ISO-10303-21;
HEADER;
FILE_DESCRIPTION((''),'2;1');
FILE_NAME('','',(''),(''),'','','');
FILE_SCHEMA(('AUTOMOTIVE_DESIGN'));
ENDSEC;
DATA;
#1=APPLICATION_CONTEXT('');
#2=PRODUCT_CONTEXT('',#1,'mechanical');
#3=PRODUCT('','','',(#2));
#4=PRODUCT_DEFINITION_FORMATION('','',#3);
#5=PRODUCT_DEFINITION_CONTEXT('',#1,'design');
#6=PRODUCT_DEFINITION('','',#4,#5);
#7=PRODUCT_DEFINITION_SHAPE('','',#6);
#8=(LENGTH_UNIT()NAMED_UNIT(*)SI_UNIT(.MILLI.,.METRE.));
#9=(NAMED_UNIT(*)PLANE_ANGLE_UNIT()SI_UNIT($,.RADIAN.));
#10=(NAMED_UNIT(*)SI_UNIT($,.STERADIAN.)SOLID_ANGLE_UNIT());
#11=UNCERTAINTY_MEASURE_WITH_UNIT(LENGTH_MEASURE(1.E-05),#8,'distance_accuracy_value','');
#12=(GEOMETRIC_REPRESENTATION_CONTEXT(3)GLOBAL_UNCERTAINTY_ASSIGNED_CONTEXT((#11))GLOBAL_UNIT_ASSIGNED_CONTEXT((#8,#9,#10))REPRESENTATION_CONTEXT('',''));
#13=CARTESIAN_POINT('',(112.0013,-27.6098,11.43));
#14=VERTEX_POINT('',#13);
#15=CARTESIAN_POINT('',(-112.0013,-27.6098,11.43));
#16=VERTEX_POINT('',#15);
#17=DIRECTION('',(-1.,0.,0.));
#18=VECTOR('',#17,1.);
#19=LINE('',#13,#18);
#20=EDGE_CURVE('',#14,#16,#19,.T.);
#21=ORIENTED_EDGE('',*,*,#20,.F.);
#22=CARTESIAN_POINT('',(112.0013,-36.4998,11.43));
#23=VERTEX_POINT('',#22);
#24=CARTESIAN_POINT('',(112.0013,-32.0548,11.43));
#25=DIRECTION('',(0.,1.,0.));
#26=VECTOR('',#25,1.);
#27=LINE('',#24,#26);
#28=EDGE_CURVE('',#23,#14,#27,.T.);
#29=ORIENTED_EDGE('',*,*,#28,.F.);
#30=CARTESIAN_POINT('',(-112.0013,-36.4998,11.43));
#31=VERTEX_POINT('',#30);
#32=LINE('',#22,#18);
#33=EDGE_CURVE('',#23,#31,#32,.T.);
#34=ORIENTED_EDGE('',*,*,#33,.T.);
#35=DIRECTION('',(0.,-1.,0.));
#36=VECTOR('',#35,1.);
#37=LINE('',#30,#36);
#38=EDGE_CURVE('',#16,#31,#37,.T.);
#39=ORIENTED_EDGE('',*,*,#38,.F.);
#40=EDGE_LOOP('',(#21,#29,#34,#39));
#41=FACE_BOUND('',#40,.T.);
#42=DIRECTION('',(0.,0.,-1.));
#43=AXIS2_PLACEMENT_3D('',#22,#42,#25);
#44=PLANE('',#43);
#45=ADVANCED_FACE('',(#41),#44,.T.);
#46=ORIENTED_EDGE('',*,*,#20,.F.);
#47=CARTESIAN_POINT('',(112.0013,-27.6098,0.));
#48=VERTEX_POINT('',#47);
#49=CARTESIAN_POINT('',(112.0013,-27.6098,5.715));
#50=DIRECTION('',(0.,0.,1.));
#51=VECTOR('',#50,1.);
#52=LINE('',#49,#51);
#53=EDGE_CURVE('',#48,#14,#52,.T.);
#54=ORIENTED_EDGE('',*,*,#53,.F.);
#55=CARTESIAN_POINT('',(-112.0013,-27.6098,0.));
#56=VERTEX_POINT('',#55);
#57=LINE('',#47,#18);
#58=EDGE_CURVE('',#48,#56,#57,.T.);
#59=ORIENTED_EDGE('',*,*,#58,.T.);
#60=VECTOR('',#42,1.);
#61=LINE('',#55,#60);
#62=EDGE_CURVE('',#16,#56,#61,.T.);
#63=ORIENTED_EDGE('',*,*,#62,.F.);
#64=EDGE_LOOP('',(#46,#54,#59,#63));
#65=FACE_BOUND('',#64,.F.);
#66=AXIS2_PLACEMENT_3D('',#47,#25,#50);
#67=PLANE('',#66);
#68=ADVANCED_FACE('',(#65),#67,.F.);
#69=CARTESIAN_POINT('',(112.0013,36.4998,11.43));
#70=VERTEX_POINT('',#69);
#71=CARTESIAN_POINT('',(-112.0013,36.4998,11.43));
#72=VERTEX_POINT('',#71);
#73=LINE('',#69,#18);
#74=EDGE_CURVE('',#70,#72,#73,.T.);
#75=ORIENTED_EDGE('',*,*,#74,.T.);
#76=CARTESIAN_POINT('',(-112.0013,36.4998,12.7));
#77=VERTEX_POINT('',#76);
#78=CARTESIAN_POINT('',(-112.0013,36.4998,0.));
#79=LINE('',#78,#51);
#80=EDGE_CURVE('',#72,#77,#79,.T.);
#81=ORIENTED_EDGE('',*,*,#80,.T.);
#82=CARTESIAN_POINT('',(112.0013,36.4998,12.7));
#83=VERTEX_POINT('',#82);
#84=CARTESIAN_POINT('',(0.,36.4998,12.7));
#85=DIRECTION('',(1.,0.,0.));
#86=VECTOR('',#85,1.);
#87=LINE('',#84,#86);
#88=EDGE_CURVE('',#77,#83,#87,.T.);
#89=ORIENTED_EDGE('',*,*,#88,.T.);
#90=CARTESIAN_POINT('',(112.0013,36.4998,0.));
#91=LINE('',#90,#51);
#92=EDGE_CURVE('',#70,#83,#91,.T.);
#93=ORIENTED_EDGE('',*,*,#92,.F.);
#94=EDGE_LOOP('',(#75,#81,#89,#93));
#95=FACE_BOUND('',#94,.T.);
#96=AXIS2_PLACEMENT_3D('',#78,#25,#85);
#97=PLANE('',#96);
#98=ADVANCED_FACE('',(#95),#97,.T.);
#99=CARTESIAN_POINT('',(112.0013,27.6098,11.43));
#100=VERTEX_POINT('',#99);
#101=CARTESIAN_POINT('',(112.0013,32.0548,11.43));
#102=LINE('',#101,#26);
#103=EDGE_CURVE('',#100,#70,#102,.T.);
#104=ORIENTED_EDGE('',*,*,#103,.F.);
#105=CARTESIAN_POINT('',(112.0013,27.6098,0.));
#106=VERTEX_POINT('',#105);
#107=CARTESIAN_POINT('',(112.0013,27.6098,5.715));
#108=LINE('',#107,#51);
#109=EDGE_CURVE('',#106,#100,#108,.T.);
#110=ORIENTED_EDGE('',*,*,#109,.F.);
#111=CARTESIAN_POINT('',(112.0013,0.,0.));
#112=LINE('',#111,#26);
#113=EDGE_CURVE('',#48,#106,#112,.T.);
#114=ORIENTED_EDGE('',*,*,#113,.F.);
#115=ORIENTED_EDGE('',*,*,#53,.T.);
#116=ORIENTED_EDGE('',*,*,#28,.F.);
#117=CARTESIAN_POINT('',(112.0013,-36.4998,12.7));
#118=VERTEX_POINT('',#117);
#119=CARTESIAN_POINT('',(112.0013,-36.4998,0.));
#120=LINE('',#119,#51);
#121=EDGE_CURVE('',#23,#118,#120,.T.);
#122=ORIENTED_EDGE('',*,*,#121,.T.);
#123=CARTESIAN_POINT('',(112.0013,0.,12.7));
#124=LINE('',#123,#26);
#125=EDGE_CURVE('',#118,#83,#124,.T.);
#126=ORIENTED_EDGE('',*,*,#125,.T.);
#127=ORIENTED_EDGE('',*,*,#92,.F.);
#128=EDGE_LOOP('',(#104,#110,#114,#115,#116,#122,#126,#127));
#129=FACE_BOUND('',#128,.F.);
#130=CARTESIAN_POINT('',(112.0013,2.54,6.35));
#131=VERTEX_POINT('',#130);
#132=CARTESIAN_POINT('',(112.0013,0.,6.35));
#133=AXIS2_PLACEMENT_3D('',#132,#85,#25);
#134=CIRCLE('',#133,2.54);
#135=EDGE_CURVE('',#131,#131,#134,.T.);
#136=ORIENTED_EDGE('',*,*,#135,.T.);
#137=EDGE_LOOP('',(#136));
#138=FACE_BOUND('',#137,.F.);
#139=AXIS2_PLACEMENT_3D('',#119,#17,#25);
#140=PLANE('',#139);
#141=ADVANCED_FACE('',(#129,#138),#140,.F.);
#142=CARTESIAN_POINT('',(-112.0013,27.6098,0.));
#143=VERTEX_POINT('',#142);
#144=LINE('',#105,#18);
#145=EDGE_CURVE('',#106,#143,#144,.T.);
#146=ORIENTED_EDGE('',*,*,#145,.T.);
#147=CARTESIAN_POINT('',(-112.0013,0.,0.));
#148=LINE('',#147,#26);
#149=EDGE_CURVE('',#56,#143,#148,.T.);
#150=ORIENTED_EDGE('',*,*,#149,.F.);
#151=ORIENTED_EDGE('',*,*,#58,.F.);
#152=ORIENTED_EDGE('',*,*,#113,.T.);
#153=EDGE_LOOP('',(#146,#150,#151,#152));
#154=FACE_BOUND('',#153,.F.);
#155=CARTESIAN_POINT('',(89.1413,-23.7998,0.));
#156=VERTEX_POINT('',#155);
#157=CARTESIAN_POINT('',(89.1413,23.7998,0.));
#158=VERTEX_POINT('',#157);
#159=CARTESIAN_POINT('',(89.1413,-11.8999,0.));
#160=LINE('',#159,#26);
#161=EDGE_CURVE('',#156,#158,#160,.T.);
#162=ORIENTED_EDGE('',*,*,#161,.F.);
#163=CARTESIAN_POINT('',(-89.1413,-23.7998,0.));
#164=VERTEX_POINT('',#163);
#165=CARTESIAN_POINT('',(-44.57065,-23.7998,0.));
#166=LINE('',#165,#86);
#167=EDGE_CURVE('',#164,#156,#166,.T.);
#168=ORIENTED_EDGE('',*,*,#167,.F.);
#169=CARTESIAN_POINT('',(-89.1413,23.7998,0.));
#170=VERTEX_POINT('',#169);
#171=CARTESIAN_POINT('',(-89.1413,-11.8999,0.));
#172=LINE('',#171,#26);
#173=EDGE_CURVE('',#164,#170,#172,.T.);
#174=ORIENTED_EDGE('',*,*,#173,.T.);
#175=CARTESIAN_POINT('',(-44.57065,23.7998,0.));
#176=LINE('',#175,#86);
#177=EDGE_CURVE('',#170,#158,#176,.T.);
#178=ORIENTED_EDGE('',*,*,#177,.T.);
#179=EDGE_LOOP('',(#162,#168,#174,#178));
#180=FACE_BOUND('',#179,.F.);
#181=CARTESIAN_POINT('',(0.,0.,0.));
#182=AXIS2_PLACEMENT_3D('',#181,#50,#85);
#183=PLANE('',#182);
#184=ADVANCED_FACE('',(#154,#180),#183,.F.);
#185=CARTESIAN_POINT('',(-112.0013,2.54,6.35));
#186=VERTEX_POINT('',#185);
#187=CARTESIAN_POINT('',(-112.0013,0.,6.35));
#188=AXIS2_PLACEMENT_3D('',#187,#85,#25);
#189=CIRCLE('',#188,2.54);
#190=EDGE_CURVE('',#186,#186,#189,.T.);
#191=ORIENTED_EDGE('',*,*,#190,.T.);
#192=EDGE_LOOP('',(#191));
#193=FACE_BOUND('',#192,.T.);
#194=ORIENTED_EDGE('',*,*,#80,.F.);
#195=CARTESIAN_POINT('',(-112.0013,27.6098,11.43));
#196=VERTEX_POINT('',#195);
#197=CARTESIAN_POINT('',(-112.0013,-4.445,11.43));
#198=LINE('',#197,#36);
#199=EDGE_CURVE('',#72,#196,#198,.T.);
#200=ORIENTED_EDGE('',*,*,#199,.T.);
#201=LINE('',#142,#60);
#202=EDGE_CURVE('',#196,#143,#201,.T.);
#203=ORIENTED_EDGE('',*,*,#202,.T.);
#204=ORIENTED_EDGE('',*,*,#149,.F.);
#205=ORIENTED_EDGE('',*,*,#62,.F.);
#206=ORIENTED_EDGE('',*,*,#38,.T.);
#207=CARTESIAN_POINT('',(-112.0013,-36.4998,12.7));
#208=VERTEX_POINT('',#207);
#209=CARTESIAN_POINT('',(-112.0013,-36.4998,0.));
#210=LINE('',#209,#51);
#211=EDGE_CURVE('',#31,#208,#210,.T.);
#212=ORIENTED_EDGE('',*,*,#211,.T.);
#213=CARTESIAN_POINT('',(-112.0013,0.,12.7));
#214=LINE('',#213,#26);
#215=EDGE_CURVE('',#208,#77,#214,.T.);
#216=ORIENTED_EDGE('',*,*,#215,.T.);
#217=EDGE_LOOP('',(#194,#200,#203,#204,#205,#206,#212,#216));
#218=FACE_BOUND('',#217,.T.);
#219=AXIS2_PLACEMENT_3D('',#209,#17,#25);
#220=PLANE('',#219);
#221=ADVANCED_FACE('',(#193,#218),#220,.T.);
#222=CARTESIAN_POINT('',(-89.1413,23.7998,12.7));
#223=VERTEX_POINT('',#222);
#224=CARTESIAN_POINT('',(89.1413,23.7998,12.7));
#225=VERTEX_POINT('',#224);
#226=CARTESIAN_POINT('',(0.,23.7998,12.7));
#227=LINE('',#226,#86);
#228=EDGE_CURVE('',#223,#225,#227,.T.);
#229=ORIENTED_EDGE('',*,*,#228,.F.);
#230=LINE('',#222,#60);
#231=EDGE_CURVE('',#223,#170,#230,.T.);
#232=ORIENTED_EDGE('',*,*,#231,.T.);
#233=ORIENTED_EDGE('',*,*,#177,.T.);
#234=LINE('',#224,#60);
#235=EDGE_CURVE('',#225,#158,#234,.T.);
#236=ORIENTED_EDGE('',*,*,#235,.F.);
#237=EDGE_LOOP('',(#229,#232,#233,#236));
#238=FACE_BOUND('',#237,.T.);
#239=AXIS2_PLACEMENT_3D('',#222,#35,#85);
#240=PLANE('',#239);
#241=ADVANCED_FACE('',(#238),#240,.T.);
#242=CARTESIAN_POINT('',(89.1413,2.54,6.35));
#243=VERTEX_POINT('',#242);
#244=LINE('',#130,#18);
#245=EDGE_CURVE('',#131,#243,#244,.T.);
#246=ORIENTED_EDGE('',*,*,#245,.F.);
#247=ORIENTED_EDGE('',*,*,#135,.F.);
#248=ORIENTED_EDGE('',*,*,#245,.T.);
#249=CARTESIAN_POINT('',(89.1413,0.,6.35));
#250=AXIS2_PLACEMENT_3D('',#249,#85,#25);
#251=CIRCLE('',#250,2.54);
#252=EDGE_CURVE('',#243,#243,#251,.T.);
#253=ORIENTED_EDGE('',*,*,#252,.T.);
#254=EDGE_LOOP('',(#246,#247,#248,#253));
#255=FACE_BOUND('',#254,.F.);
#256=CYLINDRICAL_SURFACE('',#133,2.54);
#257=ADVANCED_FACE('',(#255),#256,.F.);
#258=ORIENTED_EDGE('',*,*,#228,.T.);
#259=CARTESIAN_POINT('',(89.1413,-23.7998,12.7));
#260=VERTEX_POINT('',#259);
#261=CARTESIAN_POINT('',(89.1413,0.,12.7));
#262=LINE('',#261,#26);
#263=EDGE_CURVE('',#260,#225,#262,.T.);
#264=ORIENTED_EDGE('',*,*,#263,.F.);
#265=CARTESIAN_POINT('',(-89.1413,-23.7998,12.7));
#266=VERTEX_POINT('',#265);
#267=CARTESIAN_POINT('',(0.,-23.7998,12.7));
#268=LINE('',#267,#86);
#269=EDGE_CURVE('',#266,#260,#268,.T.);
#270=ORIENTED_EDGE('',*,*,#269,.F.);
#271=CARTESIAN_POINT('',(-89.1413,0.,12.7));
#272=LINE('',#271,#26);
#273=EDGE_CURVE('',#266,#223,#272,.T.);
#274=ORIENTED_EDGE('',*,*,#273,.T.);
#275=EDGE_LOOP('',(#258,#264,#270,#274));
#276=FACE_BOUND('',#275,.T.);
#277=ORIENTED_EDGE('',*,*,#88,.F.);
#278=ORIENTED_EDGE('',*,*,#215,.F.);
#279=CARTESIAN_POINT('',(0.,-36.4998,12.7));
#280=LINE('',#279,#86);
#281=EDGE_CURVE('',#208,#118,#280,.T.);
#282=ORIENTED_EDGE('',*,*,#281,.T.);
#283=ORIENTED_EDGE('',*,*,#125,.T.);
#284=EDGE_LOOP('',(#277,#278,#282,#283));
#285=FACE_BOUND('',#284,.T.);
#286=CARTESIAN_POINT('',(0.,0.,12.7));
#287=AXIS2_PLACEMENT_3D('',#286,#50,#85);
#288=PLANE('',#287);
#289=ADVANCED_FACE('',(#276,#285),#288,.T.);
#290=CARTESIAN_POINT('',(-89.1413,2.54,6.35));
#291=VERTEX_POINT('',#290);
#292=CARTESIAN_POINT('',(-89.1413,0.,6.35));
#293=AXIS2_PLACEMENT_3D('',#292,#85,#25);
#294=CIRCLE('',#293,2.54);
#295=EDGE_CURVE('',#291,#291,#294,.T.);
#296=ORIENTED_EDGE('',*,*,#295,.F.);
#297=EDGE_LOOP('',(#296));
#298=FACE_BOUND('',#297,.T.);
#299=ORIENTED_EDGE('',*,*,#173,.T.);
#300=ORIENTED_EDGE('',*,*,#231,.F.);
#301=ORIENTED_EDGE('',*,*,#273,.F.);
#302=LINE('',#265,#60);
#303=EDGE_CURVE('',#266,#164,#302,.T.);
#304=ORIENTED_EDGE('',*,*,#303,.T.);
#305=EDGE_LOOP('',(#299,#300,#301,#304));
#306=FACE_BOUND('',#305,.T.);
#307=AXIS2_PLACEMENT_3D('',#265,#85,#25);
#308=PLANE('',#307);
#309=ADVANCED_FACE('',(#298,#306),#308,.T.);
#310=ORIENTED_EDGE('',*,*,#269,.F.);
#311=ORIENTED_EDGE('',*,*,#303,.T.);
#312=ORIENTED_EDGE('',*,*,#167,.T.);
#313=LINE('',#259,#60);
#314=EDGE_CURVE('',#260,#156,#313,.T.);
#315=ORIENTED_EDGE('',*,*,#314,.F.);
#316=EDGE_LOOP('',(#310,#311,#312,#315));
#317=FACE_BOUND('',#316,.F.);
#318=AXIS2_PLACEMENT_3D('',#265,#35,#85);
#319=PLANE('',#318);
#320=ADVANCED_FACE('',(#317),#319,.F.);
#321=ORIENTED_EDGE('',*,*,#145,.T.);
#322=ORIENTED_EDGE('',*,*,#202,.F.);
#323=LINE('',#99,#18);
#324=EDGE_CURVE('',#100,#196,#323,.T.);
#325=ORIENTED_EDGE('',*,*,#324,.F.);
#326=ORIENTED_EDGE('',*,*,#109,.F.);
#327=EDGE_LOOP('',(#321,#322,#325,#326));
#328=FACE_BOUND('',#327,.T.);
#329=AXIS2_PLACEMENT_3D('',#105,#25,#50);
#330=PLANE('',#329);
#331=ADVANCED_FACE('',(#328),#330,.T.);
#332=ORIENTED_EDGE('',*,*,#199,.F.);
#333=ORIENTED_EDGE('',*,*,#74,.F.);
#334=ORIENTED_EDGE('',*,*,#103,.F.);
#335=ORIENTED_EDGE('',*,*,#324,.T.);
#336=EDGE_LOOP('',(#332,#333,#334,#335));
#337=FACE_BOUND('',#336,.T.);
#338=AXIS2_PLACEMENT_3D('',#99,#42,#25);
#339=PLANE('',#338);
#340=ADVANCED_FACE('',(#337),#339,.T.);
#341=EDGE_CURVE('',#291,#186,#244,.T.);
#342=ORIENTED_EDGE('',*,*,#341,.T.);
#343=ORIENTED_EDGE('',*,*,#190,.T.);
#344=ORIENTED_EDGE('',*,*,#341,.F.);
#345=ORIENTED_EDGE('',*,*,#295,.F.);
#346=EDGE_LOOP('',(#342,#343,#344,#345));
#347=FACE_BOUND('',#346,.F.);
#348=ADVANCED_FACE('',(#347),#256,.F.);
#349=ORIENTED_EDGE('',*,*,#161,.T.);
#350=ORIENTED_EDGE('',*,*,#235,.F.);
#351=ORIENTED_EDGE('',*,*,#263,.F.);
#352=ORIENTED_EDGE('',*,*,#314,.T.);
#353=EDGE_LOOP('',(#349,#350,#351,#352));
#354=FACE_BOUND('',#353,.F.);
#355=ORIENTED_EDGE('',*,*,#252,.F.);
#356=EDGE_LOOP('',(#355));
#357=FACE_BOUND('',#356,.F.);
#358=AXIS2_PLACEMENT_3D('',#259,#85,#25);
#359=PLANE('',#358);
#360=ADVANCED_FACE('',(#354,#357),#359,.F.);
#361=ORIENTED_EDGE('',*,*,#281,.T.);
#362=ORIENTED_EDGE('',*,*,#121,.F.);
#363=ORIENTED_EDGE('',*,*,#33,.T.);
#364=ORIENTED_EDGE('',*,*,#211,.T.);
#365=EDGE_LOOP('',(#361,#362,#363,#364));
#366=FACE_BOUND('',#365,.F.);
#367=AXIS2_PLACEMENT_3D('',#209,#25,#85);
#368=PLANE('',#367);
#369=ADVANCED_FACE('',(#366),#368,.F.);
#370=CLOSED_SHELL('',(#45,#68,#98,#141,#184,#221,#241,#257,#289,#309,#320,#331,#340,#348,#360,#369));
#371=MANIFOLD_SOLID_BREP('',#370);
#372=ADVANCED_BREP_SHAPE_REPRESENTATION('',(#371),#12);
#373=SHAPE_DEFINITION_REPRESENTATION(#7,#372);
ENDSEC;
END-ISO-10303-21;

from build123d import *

# Parameters (mm, degrees)
F0_W     = 224.0026
F0_H     = 72.9996
F1_DEPTH = 12.7
F2_W     = 178.2826
F2_H     = 47.5996
F2_W_2   = 173.2026
F2_H_2   = 22.1996
F3_DEPTH = 25.4
F4_W     = 8.89
F4_H     = 11.43
F5_DEPTH = 508
F6_W     = 8.89
F6_H     = 11.43
F7_DEPTH = 508
F8_R     = 2.54
F9_DEPTH = 508


with BuildPart() as f1:
    # F0 (on Top) → F1 (new body)
    with BuildSketch(Plane.XY):
        Rectangle(F0_W, F0_H)
    extrude(amount=F1_DEPTH)

    # F2 (on face) → F3 (cut)
    with BuildSketch(Plane.XY.offset(12.7)):
        Rectangle(F2_W, F2_H)
        Rectangle(F2_W_2, F2_H_2, mode=Mode.SUBTRACT)
        Rectangle(F2_W_2, F2_H_2)
    extrude(amount=-F3_DEPTH, mode=Mode.SUBTRACT)

    # F4 (on face) → F5 (cut)
    with BuildSketch(Plane.YZ.offset(112.0013)):
        with Locations((-32.0548, 5.715)):
            Rectangle(F4_W, F4_H)
    extrude(amount=-F5_DEPTH, mode=Mode.SUBTRACT)

    # F6 (on face) → F7 (cut)
    with BuildSketch(Plane.YZ.offset(112.0013)):
        with Locations((32.0548, 5.715)):
            Rectangle(F6_W, F6_H)
    extrude(amount=-F7_DEPTH, mode=Mode.SUBTRACT)

    # F8 (on face) → F9 (cut)
    with BuildSketch(Plane.YZ.offset(112.0013)):
        with Locations((0, 6.35)):
            Circle(F8_R)
    extrude(amount=-F9_DEPTH, mode=Mode.SUBTRACT)


solid = f1.part
